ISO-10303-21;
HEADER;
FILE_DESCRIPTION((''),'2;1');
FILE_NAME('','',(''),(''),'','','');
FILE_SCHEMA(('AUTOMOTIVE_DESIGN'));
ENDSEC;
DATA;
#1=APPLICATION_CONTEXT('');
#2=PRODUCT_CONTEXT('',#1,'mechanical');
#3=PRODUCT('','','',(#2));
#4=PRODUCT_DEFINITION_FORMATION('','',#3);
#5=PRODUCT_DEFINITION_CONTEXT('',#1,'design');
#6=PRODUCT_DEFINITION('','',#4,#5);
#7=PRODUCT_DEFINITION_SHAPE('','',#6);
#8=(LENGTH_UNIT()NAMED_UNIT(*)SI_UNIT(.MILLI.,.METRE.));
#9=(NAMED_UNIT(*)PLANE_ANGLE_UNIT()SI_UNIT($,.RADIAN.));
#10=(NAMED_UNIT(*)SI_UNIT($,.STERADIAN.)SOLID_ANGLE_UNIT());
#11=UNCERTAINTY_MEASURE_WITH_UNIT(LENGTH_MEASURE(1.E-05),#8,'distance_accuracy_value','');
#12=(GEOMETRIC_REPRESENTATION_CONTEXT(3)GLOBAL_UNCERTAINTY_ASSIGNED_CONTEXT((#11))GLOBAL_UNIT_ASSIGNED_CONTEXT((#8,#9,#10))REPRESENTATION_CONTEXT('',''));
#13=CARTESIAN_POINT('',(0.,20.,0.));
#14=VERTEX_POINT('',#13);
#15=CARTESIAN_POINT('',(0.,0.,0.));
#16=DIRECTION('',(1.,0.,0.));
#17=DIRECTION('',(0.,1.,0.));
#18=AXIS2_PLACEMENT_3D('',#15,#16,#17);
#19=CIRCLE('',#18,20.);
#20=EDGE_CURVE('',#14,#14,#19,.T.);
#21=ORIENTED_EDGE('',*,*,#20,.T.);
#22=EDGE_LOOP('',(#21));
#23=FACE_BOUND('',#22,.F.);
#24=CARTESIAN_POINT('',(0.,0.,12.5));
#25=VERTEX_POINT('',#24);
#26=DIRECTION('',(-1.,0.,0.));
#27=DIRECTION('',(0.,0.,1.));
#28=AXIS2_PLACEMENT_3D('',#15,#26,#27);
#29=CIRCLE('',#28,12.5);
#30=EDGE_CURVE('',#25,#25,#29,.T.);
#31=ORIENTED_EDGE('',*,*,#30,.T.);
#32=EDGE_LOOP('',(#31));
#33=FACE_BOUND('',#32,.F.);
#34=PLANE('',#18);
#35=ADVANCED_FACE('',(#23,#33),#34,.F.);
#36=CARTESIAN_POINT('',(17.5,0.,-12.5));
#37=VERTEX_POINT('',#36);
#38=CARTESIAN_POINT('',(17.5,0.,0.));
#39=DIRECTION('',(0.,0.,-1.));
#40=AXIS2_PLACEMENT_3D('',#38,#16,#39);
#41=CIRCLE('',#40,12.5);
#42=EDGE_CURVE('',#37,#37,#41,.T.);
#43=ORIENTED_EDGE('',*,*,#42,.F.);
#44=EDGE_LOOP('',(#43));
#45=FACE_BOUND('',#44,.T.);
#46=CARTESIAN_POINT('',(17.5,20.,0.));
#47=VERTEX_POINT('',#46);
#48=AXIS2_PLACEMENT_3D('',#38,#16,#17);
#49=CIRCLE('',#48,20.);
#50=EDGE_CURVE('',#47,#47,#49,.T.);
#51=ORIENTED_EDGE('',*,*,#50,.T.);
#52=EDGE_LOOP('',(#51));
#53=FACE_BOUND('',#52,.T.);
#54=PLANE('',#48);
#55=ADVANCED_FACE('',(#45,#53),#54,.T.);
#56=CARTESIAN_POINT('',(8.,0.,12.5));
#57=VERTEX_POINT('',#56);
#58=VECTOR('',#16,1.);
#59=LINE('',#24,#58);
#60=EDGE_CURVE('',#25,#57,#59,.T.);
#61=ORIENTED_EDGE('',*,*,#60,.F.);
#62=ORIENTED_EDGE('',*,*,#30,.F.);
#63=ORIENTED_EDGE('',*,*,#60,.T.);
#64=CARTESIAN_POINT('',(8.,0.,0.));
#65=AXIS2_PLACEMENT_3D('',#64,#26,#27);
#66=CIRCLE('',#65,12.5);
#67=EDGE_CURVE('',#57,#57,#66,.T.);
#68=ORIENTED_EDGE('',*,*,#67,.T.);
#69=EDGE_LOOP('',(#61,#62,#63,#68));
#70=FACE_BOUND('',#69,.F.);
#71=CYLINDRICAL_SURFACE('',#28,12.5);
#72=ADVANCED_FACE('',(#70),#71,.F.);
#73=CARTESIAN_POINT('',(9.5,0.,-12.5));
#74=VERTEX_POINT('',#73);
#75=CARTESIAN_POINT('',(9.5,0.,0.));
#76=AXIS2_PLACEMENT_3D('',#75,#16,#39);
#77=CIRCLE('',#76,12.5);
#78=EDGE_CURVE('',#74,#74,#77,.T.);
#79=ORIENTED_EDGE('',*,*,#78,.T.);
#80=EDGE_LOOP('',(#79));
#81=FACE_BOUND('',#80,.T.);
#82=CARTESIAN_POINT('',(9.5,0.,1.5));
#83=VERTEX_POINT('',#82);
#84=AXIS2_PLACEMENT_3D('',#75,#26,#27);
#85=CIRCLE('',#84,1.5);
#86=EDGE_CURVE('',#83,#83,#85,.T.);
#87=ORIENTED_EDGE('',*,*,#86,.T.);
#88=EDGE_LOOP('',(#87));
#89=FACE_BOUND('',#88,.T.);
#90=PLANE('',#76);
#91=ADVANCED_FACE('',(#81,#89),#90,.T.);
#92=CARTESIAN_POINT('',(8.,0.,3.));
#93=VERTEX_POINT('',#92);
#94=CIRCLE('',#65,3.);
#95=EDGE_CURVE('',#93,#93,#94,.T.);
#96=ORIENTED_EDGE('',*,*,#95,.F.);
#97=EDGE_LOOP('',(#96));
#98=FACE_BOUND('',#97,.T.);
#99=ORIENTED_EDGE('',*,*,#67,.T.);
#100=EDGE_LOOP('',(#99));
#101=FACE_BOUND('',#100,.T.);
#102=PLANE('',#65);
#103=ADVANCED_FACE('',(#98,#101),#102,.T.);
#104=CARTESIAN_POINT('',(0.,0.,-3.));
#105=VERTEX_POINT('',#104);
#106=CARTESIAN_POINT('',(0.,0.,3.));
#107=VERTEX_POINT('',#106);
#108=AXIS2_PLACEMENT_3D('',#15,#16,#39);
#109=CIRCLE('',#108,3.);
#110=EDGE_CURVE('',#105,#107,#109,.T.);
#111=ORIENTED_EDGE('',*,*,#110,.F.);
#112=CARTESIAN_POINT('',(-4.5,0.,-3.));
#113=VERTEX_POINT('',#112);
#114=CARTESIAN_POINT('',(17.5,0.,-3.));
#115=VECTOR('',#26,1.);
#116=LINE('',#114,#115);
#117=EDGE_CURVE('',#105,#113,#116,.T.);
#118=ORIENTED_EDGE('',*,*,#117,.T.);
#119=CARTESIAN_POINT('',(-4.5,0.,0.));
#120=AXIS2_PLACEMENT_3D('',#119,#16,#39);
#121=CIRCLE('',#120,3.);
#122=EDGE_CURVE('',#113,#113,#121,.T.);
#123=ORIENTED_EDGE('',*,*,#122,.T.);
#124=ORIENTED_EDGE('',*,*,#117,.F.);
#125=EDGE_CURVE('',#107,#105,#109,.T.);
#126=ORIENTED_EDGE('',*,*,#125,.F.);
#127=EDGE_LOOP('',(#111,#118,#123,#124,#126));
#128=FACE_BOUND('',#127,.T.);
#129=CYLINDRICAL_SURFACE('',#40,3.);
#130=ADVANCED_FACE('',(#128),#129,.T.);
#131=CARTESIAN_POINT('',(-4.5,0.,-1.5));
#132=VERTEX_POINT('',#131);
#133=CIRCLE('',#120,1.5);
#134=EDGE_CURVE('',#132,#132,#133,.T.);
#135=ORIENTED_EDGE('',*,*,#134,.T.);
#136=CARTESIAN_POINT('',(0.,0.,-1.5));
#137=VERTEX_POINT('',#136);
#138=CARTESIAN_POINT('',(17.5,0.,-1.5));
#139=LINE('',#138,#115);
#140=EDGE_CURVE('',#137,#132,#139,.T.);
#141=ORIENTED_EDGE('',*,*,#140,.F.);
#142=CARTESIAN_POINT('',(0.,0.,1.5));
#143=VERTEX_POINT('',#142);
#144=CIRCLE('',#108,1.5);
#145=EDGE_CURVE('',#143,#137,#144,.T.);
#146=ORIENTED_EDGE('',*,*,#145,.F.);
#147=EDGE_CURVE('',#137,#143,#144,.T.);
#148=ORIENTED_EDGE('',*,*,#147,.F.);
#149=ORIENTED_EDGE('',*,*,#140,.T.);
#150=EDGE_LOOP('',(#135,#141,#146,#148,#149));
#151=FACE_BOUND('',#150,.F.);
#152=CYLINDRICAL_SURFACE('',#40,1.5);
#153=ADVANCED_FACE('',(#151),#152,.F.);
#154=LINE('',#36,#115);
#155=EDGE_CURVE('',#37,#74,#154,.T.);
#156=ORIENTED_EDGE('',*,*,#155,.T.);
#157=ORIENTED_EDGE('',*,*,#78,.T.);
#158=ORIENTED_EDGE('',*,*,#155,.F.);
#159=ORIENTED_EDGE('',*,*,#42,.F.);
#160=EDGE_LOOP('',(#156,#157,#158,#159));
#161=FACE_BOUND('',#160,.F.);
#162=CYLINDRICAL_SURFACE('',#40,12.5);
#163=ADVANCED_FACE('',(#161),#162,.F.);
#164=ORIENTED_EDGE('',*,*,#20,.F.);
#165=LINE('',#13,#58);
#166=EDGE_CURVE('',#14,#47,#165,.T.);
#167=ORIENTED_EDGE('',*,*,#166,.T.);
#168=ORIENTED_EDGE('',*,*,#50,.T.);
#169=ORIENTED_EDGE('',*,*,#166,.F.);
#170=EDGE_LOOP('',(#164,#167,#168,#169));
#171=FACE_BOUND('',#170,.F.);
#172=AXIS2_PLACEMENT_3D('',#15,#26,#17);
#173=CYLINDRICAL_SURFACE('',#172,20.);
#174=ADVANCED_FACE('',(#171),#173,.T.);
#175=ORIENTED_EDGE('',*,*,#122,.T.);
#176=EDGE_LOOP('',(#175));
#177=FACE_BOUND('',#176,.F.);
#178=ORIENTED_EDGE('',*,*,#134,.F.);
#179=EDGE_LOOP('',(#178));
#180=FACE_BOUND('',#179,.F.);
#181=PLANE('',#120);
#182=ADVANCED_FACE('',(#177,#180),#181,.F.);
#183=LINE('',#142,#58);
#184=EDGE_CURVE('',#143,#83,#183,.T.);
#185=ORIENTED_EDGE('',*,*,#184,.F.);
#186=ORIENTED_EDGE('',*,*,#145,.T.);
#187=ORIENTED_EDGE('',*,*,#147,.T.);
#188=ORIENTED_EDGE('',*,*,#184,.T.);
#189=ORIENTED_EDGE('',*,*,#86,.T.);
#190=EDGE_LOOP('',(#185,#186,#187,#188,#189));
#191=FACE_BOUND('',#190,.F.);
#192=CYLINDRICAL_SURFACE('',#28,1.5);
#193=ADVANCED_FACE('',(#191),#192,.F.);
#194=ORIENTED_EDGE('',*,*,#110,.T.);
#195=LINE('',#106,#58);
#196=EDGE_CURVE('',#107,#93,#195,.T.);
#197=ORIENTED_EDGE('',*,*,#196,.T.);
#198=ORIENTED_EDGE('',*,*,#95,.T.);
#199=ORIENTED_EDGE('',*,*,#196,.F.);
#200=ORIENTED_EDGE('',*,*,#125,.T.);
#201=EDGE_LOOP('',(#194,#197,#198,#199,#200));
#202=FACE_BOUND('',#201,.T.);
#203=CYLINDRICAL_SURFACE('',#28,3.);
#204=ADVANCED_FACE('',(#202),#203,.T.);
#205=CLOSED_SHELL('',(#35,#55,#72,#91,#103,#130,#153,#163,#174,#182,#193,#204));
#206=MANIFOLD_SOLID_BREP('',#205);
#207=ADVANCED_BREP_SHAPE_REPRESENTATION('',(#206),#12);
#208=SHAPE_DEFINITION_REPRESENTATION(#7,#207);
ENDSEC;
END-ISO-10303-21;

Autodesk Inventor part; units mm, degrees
ref_plane "YZ Plane" through (0, 0, 0) normal (1, 0, 0) x (0, 1, 0)
ref_plane "XZ Plane" through (0, 0, 0) normal (0, 1, 0) x (-1, 0, 0)
ref_plane "XY Plane" through (0, 0, 0) normal (0, 0, 1) x (1, 0, 0)
sketch "Sketch1" plane through (0, 0, 0) normal (1, 0, 0) x (0, 1, 0)
  circle A0 centre (0, 0) radius 20
  dimension "d0" = 40
extrude "Extrusion1" add sketch "Sketch1" along normal blind 17.5
sketch "Sketch2" plane through (17.5, 0, 0) normal (1, 0, 0) x (0, 0, -1)
  circle A0 centre (0, 0) radius 3
  circle A1 centre (0, 0) radius 1.5
  dimension "d3" = 6
  dimension "d4" = 3
extrude "Extrusion2" add sketch "Sketch2" against normal blind 22
sketch "Sketch3" plane through (0, 0, 0) normal (-1, 0, 0) x (0, 0, 1)
  circle A0 centre (0, 0) radius 1.5 projected
  circle A1 centre (0, 0) radius 1.5
extrude "Extrusion3" cut sketch "Sketch3" against normal blind 50
sketch "Sketch4" plane through (17.5, 0, 0) normal (1, 0, 0) x (0, 0, -1)
  circle A0 centre (0, 0) radius 12.5
  dimension "d9" = 25
extrude "Extrusion4" cut sketch "Sketch4" against normal blind 8
sketch "Sketch5" plane through (0, 0, 0) normal (-1, 0, 0) x (0, 0, 1)
  circle A0 centre (0, 0) radius 12.5
  circle A1 centre (0, 0) radius 3
  dimension "d12" = 25
extrude "Extrusion5" cut sketch "Sketch5" against normal blind 8
properties part number "Back Wheel" material "PC/ABS Plastic"
